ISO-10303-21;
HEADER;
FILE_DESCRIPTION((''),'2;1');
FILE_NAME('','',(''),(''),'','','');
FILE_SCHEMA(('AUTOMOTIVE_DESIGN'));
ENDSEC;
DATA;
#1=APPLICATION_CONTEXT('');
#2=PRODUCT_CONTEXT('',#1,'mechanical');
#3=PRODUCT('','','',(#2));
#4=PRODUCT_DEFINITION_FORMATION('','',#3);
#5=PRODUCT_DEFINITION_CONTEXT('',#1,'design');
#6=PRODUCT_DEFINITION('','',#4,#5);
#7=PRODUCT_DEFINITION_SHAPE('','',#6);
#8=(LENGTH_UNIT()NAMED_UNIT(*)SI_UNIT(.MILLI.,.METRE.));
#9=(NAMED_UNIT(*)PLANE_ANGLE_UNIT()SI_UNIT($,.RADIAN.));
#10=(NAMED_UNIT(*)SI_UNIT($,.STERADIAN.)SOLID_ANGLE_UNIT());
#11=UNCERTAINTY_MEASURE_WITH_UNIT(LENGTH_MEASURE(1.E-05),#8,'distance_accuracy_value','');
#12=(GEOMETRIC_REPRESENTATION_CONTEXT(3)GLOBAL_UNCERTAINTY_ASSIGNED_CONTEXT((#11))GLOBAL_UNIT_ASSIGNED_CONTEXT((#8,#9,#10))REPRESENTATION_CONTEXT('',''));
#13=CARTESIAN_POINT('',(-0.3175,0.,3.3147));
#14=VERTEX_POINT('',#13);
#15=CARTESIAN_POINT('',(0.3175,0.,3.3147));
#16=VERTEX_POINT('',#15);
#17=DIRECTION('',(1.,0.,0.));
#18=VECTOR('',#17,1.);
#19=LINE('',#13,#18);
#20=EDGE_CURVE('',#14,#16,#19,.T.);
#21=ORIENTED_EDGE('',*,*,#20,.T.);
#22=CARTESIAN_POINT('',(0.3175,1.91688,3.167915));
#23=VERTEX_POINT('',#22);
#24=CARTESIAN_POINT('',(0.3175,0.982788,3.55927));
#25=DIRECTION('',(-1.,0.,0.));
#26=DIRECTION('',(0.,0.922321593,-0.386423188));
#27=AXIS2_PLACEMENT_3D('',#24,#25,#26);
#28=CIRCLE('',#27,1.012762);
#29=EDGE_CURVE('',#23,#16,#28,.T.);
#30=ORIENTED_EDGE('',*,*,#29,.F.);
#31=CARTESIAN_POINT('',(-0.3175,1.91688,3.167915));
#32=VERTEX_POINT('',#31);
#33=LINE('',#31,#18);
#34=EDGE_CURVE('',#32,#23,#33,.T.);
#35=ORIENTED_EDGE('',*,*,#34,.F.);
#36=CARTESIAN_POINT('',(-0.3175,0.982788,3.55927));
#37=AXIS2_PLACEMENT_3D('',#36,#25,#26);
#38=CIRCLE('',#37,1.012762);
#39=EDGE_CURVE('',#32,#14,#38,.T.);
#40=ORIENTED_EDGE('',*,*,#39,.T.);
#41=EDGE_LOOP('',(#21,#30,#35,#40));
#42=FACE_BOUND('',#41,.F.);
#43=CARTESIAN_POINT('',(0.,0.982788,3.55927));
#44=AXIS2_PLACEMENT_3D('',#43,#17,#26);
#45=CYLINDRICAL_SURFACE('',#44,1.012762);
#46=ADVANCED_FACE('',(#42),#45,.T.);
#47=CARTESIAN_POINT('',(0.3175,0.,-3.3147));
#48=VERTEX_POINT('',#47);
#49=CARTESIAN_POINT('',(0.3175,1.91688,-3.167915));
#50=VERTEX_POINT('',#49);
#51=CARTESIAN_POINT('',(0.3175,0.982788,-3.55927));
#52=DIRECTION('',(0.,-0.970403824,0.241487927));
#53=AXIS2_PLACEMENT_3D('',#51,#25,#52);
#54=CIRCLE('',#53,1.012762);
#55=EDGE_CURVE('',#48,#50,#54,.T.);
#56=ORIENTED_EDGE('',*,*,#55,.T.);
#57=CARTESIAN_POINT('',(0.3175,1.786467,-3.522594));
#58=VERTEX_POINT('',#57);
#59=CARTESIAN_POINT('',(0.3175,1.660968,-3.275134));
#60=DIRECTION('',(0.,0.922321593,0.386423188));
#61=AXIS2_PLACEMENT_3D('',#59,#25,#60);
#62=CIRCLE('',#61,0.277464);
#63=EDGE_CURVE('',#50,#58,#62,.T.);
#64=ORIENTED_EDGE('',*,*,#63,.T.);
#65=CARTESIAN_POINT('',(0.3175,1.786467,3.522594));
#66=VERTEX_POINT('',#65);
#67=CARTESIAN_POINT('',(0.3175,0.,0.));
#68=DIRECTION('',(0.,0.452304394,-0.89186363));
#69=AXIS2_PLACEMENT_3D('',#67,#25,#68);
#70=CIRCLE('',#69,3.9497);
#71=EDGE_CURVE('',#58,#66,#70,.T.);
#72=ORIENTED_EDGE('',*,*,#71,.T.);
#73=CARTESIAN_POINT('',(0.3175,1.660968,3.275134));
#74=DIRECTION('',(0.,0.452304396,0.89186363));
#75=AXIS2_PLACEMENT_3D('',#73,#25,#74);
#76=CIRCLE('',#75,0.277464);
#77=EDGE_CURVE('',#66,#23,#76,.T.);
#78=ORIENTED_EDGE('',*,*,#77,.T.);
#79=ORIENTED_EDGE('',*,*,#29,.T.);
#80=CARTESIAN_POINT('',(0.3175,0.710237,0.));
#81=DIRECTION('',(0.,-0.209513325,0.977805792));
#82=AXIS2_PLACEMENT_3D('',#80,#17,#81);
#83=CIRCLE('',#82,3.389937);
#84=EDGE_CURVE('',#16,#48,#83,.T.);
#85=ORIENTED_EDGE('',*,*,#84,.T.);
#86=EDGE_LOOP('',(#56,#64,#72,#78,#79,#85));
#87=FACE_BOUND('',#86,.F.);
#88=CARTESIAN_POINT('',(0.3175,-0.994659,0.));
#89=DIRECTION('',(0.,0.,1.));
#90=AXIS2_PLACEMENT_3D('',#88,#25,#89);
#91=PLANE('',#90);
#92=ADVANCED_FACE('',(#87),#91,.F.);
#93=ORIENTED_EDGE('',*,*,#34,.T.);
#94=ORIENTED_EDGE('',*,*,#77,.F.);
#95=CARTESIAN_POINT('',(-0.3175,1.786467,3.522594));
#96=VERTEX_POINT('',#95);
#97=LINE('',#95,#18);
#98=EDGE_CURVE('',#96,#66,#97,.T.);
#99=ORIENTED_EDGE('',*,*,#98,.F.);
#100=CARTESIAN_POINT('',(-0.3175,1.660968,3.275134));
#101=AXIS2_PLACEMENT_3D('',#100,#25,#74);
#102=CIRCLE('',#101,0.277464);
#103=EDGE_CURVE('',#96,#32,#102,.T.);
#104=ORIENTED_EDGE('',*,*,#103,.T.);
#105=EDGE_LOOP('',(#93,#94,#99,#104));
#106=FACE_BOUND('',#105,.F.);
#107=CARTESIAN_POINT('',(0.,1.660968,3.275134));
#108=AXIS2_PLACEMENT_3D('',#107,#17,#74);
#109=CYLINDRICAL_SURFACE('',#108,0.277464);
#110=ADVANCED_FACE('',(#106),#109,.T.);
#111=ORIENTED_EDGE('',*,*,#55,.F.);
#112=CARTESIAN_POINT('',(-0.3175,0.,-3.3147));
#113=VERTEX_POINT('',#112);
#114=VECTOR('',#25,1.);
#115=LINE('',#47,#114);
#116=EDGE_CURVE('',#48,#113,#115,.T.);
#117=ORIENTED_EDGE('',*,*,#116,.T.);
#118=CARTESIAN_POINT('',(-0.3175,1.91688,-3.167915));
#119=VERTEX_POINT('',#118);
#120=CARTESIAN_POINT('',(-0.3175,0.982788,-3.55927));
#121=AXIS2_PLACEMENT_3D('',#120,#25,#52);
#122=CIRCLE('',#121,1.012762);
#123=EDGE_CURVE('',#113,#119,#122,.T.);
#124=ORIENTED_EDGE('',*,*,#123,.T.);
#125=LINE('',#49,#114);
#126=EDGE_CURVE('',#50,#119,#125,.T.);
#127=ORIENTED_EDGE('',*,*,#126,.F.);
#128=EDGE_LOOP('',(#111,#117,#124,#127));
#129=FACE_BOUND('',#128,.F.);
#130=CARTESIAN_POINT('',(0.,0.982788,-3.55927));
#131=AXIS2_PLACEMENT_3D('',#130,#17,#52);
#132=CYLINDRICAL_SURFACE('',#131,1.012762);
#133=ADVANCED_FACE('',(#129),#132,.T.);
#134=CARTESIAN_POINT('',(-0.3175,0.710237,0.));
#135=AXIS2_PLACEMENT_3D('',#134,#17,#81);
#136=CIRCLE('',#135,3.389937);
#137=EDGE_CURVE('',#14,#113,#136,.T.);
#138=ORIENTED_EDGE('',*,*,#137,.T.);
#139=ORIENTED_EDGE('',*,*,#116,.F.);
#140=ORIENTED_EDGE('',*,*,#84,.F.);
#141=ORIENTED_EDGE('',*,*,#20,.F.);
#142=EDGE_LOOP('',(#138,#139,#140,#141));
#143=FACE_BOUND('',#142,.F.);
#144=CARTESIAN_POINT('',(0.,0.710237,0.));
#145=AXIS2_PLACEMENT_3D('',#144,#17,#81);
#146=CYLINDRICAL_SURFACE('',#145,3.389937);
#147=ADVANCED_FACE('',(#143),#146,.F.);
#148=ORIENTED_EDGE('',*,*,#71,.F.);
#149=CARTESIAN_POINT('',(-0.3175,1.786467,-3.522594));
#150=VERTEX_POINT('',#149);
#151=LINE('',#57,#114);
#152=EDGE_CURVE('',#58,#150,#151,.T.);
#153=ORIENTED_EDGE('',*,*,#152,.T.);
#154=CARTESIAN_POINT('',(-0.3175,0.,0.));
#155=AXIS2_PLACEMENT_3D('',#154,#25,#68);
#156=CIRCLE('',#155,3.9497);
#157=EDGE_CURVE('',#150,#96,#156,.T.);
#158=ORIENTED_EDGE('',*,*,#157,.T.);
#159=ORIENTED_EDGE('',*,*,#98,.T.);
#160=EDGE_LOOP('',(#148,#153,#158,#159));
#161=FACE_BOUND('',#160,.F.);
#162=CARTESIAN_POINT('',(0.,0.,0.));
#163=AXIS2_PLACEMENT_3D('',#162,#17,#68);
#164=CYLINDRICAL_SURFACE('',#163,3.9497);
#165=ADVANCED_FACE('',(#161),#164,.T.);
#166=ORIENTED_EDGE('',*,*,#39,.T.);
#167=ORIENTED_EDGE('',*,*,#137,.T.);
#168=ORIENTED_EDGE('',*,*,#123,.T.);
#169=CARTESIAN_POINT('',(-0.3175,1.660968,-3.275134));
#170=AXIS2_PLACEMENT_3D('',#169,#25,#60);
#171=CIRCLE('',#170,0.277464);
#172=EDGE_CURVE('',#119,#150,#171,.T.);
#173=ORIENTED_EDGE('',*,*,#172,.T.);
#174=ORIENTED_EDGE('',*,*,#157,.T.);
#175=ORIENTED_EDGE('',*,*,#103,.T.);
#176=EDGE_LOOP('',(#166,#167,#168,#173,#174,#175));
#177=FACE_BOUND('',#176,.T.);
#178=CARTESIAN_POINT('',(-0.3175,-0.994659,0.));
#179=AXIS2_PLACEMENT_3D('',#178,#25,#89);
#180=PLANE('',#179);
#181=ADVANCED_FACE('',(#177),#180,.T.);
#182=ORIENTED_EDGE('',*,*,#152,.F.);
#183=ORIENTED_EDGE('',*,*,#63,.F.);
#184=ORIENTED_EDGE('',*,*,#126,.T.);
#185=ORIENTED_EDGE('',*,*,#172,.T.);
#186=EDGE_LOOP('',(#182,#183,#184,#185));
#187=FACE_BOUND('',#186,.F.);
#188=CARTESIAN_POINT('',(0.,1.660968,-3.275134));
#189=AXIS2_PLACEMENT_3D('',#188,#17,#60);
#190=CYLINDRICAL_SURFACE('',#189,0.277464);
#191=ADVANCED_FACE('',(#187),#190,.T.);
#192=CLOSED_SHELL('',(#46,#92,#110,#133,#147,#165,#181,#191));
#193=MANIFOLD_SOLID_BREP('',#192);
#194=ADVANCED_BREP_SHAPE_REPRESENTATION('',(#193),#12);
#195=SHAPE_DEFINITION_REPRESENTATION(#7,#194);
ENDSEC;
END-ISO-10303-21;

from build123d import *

# Parameters (mm, degrees)
EXTRUDE1_DEPTH = 0.3175


with BuildPart() as part:
    # Sketch1 → Extrude1 (new body, symmetric)
    with BuildSketch(Plane(origin=(0, 0, 0), x_dir=(0, 0, -1), z_dir=(1, 0, 0))):
        with BuildLine():
            ThreePointArc((-3.3147, 0), (0, -2.6797), (3.3147, 0))
            ThreePointArc((3.3147, 0), (2.549464409, 0.90546195), (3.16791514, 1.916879543))
            ThreePointArc((3.16791514, 1.916879543), (3.370887549, 1.921386385), (3.52259378, 1.786466667))
            ThreePointArc((3.52259378, 1.786466667), (0, -3.9497), (-3.52259378, 1.786466667))
            ThreePointArc((-3.52259378, 1.786466667), (-3.370887549, 1.921386385), (-3.16791514, 1.916879543))
            ThreePointArc((-3.16791514, 1.916879543), (-2.549464409, 0.90546195), (-3.3147, 0))
        make_face()
    extrude(amount=EXTRUDE1_DEPTH, both=True)


solid = part.part
